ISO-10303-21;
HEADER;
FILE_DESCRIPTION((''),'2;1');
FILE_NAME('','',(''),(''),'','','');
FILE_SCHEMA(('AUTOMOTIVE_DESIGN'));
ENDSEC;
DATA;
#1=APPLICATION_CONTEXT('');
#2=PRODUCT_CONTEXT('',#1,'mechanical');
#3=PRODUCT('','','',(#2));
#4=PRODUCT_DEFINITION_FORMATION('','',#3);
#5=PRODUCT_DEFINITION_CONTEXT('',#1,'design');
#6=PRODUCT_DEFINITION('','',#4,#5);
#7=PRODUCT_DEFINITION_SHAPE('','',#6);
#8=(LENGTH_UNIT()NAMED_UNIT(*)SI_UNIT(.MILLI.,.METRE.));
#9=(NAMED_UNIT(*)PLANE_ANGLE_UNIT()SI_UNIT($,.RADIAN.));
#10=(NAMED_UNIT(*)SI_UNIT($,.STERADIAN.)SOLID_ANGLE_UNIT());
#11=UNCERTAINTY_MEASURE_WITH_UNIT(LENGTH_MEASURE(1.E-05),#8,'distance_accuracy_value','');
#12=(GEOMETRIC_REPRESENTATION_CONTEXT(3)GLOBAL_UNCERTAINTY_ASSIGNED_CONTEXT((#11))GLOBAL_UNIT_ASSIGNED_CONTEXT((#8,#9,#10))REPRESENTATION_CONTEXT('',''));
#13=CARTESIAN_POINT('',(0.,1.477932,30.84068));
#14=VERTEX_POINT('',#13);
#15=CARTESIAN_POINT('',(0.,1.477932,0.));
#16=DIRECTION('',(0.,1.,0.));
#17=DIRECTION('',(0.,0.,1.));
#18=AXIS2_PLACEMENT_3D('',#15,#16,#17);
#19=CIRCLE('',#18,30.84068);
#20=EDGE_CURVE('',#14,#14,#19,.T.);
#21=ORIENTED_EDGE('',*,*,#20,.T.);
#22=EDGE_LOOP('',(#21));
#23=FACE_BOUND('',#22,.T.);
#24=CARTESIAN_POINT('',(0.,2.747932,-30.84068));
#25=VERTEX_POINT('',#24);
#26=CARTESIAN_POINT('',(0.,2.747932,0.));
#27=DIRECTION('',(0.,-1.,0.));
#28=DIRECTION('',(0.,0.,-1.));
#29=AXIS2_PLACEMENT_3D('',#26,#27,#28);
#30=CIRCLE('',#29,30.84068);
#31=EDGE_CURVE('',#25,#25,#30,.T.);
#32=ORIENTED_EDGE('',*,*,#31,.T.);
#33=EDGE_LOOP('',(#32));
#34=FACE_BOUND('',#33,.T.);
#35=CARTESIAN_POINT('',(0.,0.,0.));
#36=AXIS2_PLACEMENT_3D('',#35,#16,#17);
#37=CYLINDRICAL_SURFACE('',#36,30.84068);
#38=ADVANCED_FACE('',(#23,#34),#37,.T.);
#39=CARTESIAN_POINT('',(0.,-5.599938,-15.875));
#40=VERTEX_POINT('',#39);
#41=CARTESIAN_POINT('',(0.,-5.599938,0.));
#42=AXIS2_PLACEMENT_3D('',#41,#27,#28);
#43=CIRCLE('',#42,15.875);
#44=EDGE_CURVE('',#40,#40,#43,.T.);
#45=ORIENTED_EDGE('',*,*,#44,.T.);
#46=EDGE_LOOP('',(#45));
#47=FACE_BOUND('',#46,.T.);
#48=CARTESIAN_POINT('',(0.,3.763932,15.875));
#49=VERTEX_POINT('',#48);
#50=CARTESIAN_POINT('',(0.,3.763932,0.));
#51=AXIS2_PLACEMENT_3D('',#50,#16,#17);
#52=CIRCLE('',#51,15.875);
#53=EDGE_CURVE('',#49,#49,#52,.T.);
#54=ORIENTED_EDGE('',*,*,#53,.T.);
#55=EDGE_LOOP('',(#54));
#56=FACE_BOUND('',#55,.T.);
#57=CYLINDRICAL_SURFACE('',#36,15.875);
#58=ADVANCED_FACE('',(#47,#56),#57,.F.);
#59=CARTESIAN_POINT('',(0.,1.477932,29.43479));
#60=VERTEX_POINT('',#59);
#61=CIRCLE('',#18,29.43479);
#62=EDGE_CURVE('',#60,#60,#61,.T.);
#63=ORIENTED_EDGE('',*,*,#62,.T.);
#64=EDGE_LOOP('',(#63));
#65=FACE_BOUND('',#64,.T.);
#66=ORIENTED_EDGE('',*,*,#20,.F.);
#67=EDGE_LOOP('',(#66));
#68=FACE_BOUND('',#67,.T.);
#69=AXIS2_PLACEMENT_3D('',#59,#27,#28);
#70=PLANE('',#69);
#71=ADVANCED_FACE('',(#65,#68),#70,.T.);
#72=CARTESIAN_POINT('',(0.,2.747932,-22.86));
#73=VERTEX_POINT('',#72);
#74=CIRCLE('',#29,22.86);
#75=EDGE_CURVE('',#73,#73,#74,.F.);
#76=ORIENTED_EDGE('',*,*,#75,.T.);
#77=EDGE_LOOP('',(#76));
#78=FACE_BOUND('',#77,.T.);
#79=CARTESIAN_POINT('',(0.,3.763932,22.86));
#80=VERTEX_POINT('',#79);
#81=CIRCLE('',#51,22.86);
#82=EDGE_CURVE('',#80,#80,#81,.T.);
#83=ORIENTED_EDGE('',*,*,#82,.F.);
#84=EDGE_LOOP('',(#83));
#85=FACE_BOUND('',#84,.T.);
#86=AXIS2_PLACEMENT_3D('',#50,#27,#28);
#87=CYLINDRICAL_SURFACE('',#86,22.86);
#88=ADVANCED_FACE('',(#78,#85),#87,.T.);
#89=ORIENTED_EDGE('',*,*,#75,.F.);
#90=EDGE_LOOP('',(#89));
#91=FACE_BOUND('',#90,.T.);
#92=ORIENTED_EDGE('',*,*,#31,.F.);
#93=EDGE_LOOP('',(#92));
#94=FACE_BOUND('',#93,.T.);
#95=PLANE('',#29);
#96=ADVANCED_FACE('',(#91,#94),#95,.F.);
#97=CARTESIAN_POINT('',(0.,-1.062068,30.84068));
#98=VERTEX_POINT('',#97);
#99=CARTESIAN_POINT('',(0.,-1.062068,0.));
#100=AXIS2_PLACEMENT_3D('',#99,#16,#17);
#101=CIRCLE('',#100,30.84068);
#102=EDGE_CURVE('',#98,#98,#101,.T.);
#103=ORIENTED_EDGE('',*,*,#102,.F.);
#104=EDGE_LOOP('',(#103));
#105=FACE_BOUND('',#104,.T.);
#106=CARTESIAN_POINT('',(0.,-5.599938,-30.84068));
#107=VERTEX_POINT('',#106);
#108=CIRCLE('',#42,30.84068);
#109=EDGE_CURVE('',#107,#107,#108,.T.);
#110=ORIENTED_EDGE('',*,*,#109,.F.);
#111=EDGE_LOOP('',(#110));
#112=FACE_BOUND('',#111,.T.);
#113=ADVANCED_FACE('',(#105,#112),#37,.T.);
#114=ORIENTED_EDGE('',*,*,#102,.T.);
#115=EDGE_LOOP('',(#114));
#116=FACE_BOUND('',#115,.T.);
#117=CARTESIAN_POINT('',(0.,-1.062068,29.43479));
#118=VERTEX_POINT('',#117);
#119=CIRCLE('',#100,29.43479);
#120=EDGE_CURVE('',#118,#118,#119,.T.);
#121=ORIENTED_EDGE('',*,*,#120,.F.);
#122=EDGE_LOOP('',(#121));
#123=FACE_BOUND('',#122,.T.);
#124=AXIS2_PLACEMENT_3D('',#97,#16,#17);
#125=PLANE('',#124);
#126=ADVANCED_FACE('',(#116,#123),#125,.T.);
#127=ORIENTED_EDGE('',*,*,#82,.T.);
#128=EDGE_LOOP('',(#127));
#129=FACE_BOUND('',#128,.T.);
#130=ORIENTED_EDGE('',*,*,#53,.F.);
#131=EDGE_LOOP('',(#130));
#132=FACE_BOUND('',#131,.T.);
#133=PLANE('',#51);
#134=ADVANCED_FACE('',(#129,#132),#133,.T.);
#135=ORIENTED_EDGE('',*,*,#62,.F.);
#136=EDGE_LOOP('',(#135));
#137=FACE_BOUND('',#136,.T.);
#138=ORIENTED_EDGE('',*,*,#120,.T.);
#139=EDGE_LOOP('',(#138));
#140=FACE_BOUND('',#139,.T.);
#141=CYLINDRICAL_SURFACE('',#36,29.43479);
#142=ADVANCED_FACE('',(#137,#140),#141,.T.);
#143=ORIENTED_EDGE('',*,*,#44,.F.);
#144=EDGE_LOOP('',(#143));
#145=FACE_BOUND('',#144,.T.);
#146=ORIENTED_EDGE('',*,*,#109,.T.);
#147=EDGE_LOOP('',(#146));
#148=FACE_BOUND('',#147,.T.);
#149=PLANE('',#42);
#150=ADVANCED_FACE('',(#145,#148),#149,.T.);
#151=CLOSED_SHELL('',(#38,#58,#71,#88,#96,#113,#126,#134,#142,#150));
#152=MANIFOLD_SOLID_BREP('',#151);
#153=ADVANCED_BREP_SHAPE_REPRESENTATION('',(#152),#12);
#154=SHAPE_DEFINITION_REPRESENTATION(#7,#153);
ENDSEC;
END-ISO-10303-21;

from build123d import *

# Parameters (mm, degrees)
BANDAID_START                  = 0.053848
SKETCH3_R                      = 30.84068
SKETCH3_R_2                    = 15.875
BANDAID_SOLUTION_THICKER_DEPTH = 0.053848
SKETCH4_R                      = 22.86
SKETCH4_R_2                    = 15.875
LIP_FOR_BEARING_DEPTH          = 1.016
SKETCH5_R                      = 30.84068
SKETCH5_R_2                    = 15.875
BOSS_EXTRUDE1_DEPTH            = 0.57912


with BuildPart() as part:
    # Sketch1 → Revolve1 (revolve)
    with BuildSketch(Plane(origin=(0, 0, 0), x_dir=(0, 0, -1), z_dir=(1, 0, 0))):
        Polygon((-15.875, 2.694084), (-15.875, -5.020818), (-30.84068, -5.020818), (-30.84068, -1.062068), (-29.43479, -1.062068), (-29.43479, 1.477932), (-30.84068, 1.477932), (-30.84068, 2.694084), align=None)
    revolve(axis=Axis((0, 0, 0), (0, -1, 0)))

    # Sketch3 → BandAid Solution thicker (add)
    with BuildSketch(Plane(origin=(0, 2.694084, 0), x_dir=(1, 0, 0), z_dir=(0, 1, 0)).offset(BANDAID_START)):
        with Locations(Location((0, 0, 0), (0, 0, 270))):
            Circle(SKETCH3_R)
        with Locations(Location((0, 0, 0), (0, 0, 270))):
            Circle(SKETCH3_R_2, mode=Mode.SUBTRACT)
    extrude(amount=-BANDAID_SOLUTION_THICKER_DEPTH)

    # Sketch4 → Lip for Bearing (add)
    with BuildSketch(Plane(origin=(0, 2.747932, 0), x_dir=(1, 0, 0), z_dir=(0, 1, 0))):
        with Locations(Location((0, 0, 0), (0, 0, 90))):
            Circle(SKETCH4_R)
        with Locations(Location((0, 0, 0), (0, 0, 270))):
            Circle(SKETCH4_R_2, mode=Mode.SUBTRACT)
    extrude(amount=LIP_FOR_BEARING_DEPTH)

    # Sketch5 → Boss-Extrude1 (add)
    with BuildSketch(Plane.XZ.offset(5.020818)):
        with Locations(Location((0, 0, 0), (0, 0, 90))):
            Circle(SKETCH5_R)
        with Locations(Location((0, 0, 0), (0, 0, 90))):
            Circle(SKETCH5_R_2, mode=Mode.SUBTRACT)
    extrude(amount=BOSS_EXTRUDE1_DEPTH)


solid = part.part
